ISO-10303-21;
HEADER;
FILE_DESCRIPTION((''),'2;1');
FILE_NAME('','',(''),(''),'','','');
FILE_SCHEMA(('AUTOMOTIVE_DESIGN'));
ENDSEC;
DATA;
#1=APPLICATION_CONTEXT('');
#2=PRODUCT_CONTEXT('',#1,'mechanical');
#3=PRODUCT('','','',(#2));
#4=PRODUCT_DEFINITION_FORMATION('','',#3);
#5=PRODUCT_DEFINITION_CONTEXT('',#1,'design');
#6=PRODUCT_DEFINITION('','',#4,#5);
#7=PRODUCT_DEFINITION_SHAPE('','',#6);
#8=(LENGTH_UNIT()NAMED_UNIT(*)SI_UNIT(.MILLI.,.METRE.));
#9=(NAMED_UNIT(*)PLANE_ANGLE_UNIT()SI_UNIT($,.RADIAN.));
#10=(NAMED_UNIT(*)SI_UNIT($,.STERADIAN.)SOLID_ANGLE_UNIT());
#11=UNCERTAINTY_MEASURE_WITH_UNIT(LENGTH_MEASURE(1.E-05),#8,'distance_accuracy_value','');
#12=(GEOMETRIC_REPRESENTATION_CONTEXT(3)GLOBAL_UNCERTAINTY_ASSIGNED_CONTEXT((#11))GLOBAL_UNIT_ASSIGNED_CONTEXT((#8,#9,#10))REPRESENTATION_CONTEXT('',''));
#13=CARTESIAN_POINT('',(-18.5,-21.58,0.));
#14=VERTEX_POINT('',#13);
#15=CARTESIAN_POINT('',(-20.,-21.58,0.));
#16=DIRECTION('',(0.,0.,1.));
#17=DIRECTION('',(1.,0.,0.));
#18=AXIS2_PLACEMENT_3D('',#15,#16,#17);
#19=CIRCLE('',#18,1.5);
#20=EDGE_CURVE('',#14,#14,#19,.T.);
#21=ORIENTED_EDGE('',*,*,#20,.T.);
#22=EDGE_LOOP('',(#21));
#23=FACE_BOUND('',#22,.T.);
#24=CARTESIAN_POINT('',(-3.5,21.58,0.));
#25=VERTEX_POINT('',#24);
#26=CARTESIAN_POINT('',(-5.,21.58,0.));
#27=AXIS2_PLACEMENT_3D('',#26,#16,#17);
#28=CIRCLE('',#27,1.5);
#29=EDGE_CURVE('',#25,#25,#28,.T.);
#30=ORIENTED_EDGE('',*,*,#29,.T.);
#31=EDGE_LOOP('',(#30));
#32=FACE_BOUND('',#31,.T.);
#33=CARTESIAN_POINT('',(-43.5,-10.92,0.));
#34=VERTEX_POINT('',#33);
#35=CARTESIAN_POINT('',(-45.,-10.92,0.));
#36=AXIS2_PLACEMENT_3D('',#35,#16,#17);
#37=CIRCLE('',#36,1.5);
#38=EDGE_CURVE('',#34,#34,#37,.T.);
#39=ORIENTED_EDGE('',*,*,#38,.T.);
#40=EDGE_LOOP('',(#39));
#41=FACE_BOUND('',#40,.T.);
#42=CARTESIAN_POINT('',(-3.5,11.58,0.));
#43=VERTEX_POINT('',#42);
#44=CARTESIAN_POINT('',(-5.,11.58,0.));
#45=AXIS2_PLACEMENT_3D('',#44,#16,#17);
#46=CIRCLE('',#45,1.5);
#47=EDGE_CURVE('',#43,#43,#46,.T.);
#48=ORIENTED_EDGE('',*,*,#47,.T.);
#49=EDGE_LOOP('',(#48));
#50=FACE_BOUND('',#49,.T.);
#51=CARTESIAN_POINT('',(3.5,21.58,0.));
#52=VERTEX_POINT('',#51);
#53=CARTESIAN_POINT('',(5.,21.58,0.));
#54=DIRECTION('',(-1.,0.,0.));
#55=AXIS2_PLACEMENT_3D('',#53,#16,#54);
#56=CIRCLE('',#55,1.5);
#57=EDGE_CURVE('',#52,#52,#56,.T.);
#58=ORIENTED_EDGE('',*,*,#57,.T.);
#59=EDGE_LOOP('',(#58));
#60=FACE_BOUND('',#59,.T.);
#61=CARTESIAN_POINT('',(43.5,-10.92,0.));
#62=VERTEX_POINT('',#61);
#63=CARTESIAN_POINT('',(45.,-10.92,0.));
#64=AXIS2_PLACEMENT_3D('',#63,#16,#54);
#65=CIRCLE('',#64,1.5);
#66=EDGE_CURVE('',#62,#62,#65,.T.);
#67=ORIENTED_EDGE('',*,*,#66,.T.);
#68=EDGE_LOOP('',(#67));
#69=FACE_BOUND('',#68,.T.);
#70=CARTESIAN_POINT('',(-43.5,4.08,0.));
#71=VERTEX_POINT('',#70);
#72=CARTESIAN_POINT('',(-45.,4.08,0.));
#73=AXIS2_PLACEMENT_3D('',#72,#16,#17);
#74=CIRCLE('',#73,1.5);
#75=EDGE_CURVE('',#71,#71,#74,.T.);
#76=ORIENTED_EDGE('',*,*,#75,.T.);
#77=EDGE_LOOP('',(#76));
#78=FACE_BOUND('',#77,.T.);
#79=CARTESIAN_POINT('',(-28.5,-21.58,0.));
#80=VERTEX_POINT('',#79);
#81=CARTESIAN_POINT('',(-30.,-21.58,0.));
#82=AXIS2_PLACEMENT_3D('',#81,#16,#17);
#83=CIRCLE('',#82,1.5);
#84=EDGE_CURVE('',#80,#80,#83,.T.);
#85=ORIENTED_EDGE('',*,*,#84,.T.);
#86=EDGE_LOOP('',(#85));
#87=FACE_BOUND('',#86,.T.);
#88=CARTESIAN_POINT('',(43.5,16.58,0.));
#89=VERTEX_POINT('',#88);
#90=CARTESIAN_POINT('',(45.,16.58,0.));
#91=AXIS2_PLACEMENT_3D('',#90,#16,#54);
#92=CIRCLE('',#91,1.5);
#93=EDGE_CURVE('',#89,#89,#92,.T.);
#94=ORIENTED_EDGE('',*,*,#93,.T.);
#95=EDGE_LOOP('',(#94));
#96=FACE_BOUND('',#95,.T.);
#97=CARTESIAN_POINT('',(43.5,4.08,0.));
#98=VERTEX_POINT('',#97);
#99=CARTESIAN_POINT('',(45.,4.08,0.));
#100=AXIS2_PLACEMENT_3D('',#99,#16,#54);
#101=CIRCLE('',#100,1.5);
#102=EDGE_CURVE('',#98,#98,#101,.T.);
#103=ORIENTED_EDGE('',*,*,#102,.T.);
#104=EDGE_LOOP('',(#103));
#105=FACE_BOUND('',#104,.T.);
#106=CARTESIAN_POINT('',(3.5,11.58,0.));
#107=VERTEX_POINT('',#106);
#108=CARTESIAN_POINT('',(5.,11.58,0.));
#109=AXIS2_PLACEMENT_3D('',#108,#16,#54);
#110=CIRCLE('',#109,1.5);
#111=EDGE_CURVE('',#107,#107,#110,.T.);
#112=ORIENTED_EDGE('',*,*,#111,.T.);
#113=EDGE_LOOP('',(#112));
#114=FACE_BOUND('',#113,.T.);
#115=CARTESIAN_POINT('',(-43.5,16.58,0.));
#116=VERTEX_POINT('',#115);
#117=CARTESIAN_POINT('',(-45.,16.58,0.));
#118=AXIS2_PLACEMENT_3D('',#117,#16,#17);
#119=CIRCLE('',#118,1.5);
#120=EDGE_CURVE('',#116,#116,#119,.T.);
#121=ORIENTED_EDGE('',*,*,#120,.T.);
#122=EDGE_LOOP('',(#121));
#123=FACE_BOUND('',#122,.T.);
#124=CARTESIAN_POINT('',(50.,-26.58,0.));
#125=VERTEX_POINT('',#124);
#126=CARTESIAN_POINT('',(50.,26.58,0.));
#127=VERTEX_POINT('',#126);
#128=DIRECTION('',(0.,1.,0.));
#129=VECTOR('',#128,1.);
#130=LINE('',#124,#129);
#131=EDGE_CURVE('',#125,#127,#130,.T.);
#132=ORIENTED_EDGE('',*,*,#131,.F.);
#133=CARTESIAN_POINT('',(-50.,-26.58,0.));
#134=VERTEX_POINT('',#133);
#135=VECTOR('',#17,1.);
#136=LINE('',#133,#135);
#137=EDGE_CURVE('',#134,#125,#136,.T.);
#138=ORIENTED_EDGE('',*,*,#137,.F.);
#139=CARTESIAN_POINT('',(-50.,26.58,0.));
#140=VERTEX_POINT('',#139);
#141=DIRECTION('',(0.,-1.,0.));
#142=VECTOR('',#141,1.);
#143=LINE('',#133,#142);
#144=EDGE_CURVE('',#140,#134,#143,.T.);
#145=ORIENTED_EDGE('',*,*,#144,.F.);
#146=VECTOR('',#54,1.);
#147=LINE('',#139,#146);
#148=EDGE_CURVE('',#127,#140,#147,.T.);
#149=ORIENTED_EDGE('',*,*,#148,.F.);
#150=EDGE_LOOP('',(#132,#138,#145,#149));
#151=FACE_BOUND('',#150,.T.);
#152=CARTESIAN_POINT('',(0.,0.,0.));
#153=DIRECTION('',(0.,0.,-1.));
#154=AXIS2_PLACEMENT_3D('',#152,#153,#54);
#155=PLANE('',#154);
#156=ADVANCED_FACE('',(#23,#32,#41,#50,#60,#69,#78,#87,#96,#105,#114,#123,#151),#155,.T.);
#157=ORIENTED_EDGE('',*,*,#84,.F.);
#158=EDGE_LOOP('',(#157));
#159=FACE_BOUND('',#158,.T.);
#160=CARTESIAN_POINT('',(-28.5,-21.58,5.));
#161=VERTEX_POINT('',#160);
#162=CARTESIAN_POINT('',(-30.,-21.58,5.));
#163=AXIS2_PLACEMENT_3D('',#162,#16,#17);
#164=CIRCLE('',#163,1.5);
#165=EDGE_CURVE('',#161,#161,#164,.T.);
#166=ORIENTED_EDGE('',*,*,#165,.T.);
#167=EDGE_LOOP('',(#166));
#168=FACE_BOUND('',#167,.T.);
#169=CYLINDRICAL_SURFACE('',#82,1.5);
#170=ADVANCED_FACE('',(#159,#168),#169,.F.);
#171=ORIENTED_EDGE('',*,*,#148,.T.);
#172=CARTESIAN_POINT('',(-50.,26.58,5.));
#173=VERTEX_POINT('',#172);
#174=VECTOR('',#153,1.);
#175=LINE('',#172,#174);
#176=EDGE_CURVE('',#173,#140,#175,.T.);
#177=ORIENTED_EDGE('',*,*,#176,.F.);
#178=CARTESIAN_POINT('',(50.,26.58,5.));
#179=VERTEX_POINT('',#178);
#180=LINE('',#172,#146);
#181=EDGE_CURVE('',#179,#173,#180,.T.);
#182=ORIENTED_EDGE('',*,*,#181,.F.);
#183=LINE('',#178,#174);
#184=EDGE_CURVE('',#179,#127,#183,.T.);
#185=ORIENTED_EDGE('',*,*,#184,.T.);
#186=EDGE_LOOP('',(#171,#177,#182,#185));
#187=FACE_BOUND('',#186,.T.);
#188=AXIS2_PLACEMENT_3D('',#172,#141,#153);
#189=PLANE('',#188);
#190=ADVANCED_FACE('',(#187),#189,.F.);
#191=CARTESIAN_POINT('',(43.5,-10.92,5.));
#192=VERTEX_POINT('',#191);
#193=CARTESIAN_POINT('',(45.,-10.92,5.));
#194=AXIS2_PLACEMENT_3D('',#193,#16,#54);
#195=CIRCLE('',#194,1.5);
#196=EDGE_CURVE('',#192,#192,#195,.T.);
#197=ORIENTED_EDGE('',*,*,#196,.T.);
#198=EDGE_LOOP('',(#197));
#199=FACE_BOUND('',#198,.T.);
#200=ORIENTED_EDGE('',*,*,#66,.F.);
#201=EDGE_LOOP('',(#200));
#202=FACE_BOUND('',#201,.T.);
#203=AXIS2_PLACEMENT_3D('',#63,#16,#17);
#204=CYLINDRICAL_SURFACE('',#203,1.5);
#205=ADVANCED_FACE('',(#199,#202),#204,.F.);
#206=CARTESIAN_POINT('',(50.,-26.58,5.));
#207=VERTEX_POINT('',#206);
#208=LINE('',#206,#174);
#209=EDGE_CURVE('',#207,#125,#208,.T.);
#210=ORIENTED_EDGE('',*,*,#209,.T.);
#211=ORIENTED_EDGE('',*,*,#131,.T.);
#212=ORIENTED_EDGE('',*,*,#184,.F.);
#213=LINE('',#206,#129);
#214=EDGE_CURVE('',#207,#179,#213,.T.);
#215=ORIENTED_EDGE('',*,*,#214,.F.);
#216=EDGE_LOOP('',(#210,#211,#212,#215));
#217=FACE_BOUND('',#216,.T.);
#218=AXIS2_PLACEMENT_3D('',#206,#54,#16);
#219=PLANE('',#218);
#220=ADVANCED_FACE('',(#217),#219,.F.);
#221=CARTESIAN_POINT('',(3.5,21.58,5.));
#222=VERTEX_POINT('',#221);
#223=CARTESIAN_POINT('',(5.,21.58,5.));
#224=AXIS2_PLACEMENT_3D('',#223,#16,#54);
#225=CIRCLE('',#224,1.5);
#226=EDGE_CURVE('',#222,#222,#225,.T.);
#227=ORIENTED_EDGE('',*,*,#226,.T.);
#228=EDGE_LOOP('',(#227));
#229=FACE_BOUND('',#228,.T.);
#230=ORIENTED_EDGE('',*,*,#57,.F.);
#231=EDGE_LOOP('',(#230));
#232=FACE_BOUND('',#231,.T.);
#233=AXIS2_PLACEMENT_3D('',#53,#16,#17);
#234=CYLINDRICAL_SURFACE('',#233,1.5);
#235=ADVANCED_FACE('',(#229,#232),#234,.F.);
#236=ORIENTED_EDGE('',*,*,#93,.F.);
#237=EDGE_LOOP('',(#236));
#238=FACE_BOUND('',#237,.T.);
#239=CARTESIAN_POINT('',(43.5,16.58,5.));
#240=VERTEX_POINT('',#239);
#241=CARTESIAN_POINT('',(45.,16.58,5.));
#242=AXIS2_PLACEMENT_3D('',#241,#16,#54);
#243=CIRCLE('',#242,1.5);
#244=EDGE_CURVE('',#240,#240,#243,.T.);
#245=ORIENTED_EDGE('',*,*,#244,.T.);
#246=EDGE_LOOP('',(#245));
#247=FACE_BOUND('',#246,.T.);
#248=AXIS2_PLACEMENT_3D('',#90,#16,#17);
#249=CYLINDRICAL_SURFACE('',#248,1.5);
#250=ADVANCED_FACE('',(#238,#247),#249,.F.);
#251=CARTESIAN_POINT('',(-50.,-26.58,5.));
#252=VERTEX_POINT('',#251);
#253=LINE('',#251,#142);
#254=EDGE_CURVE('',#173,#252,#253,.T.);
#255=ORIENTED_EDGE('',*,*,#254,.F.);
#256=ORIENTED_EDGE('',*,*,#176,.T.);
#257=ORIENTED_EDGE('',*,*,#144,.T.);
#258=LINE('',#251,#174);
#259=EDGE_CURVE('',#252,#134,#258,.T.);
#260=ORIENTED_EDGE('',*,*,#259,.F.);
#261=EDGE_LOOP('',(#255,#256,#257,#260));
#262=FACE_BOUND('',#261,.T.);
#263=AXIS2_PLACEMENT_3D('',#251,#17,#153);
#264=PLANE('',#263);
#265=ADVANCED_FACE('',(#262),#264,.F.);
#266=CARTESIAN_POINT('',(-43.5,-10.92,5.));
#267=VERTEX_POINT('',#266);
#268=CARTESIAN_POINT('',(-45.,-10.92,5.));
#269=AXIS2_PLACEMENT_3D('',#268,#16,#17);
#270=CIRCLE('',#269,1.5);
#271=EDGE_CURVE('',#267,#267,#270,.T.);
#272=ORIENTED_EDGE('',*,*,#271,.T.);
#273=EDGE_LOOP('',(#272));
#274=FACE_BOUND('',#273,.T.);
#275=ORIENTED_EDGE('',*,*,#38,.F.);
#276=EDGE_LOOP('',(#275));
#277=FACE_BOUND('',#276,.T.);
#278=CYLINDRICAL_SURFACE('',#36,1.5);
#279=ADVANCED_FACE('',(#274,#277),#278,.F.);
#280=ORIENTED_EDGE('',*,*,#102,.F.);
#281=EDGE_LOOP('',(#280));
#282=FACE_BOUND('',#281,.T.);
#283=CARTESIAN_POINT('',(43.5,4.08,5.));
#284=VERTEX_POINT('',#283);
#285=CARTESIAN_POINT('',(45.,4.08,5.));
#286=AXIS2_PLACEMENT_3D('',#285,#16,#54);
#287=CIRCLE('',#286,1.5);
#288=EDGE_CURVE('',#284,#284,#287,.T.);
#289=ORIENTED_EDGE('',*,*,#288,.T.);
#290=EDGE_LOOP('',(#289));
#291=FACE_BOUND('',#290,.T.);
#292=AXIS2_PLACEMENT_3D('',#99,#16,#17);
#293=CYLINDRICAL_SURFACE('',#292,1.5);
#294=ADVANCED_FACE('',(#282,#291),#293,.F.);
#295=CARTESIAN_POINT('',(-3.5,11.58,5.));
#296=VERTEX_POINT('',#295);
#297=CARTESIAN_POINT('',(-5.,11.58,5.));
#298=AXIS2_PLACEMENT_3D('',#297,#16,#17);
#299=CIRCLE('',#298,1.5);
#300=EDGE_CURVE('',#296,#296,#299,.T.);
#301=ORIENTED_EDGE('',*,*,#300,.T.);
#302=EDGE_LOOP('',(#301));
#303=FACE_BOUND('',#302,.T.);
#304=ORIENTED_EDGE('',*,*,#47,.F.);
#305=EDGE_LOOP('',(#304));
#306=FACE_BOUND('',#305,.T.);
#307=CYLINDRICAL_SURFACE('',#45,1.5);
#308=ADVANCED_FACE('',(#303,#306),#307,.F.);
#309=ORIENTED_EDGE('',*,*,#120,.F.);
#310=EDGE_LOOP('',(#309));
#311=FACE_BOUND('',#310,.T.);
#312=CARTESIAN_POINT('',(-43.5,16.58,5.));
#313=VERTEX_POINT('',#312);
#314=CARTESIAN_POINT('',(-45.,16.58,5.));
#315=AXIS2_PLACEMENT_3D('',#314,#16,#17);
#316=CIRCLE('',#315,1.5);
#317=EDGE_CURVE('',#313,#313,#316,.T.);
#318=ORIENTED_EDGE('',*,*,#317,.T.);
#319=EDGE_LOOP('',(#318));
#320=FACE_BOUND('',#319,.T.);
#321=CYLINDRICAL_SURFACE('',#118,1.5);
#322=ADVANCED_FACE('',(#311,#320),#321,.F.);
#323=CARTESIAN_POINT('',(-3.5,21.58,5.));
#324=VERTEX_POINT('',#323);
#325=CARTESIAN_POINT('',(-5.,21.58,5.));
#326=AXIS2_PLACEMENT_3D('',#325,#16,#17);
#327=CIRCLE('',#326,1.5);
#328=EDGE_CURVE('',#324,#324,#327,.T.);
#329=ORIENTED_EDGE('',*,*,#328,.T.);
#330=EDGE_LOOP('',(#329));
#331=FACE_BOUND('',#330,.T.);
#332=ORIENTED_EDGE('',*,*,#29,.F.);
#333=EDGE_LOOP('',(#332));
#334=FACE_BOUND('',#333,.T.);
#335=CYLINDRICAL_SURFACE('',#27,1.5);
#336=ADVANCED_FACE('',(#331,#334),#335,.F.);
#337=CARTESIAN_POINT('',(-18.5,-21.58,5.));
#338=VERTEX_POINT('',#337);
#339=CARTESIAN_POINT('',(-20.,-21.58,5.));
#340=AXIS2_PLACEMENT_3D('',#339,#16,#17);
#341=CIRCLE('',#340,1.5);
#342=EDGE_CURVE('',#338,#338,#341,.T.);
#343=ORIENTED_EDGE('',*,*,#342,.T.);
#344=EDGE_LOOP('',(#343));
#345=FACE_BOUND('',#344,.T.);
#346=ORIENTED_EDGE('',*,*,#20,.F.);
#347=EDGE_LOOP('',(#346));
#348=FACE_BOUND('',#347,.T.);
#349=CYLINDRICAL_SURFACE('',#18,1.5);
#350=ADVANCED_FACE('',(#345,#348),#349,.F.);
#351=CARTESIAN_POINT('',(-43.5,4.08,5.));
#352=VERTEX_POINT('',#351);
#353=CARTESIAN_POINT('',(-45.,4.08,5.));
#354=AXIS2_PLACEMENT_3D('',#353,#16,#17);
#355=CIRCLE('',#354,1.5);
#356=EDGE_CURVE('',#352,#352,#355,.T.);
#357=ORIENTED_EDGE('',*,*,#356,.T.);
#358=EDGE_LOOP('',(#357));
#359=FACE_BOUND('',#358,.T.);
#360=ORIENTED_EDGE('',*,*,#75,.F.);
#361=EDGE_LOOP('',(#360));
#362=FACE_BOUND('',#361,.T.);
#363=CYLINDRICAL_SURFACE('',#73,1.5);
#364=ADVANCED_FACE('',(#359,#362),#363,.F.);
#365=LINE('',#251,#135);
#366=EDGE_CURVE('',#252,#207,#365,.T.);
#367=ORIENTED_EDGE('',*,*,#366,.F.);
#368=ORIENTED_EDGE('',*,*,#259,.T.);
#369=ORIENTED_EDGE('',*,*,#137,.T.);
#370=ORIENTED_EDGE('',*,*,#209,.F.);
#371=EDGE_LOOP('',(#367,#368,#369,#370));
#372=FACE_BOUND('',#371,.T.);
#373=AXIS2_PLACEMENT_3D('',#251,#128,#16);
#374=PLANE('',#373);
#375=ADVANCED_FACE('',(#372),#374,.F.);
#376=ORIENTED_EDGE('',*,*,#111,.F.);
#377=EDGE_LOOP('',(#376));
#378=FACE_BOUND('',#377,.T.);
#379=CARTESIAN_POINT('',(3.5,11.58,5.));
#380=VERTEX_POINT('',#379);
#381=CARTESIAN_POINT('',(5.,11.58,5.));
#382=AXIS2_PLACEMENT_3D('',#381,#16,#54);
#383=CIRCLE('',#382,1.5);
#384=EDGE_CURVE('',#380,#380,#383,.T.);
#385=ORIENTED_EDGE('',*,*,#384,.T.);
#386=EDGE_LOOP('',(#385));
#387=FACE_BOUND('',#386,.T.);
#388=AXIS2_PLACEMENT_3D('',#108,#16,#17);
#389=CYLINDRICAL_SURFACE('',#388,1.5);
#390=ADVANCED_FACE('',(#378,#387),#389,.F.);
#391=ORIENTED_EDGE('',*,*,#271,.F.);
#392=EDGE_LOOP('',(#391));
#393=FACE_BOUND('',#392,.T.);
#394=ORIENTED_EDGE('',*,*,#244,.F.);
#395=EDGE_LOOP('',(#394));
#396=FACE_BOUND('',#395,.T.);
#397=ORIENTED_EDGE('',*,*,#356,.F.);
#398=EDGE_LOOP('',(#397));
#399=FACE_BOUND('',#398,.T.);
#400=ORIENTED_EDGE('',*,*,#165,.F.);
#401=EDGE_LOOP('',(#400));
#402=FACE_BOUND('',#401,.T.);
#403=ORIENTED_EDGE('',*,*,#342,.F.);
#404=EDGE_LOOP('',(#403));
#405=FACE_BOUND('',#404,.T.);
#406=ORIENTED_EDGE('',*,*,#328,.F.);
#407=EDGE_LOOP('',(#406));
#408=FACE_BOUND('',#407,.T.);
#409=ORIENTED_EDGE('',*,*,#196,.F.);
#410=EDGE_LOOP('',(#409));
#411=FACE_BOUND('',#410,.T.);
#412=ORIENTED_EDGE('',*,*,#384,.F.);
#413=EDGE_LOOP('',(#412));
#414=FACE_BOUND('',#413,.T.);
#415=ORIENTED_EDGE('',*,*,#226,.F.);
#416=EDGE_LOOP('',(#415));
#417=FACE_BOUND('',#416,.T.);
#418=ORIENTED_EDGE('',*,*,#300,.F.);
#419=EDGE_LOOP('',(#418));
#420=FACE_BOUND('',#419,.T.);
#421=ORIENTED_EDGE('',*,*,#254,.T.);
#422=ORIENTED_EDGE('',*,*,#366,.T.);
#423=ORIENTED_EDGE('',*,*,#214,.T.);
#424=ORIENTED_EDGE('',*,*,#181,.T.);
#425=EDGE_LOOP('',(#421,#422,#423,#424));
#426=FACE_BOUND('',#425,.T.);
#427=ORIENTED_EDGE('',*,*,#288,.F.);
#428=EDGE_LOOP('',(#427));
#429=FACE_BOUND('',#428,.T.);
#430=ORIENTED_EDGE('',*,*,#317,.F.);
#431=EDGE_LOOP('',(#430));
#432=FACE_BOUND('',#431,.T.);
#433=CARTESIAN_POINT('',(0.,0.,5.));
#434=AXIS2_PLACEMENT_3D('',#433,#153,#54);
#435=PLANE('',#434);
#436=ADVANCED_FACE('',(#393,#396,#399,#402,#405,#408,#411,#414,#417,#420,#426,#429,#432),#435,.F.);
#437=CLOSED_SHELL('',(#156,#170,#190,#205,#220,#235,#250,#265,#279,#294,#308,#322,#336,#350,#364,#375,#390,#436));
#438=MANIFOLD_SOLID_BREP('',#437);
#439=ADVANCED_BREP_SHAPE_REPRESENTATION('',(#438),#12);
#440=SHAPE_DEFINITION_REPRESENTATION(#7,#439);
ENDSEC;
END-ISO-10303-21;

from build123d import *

# Parameters (mm, degrees)
SKETCH1_W           = 100
SKETCH1_H           = 53.16
BOSS_EXTRUDE1_DEPTH = 5
SKETCH2_R           = 1.5
CUT_EXTRUDE1_DEPTH  = 57.846252295


with BuildPart() as part:
    # Sketch1 → Boss-Extrude1 (new body)
    with BuildSketch(Plane.XY):
        Rectangle(SKETCH1_W, SKETCH1_H)
    extrude(amount=BOSS_EXTRUDE1_DEPTH)

    # Sketch2 → Cut-Extrude1 (cut, through all)
    with BuildSketch(Plane.XY.offset(5)):
        with Locations((-45, 16.58)):
            Circle(SKETCH2_R)
        with Locations((-45, 4.08)):
            Circle(SKETCH2_R)
        with Locations((-45, -10.92)):
            Circle(SKETCH2_R)
        with Locations(Location((45, -10.92, 0), (0, 0, 180))):
            Circle(SKETCH2_R)
        with Locations(Location((45, 4.08, 0), (0, 0, 180))):
            Circle(SKETCH2_R)
        with Locations(Location((45, 16.58, 0), (0, 0, 180))):
            Circle(SKETCH2_R)
        with Locations((-5, 11.58)):
            Circle(SKETCH2_R)
        with Locations((-5, 21.58)):
            Circle(SKETCH2_R)
        with Locations(Location((5, 11.58, 0), (0, 0, 180))):
            Circle(SKETCH2_R)
        with Locations(Location((5, 21.58, 0), (0, 0, 180))):
            Circle(SKETCH2_R)
        with Locations((-30, -21.58)):
            Circle(SKETCH2_R)
        with Locations((-20, -21.58)):
            Circle(SKETCH2_R)
    extrude(amount=-CUT_EXTRUDE1_DEPTH, mode=Mode.SUBTRACT)


solid = part.part
